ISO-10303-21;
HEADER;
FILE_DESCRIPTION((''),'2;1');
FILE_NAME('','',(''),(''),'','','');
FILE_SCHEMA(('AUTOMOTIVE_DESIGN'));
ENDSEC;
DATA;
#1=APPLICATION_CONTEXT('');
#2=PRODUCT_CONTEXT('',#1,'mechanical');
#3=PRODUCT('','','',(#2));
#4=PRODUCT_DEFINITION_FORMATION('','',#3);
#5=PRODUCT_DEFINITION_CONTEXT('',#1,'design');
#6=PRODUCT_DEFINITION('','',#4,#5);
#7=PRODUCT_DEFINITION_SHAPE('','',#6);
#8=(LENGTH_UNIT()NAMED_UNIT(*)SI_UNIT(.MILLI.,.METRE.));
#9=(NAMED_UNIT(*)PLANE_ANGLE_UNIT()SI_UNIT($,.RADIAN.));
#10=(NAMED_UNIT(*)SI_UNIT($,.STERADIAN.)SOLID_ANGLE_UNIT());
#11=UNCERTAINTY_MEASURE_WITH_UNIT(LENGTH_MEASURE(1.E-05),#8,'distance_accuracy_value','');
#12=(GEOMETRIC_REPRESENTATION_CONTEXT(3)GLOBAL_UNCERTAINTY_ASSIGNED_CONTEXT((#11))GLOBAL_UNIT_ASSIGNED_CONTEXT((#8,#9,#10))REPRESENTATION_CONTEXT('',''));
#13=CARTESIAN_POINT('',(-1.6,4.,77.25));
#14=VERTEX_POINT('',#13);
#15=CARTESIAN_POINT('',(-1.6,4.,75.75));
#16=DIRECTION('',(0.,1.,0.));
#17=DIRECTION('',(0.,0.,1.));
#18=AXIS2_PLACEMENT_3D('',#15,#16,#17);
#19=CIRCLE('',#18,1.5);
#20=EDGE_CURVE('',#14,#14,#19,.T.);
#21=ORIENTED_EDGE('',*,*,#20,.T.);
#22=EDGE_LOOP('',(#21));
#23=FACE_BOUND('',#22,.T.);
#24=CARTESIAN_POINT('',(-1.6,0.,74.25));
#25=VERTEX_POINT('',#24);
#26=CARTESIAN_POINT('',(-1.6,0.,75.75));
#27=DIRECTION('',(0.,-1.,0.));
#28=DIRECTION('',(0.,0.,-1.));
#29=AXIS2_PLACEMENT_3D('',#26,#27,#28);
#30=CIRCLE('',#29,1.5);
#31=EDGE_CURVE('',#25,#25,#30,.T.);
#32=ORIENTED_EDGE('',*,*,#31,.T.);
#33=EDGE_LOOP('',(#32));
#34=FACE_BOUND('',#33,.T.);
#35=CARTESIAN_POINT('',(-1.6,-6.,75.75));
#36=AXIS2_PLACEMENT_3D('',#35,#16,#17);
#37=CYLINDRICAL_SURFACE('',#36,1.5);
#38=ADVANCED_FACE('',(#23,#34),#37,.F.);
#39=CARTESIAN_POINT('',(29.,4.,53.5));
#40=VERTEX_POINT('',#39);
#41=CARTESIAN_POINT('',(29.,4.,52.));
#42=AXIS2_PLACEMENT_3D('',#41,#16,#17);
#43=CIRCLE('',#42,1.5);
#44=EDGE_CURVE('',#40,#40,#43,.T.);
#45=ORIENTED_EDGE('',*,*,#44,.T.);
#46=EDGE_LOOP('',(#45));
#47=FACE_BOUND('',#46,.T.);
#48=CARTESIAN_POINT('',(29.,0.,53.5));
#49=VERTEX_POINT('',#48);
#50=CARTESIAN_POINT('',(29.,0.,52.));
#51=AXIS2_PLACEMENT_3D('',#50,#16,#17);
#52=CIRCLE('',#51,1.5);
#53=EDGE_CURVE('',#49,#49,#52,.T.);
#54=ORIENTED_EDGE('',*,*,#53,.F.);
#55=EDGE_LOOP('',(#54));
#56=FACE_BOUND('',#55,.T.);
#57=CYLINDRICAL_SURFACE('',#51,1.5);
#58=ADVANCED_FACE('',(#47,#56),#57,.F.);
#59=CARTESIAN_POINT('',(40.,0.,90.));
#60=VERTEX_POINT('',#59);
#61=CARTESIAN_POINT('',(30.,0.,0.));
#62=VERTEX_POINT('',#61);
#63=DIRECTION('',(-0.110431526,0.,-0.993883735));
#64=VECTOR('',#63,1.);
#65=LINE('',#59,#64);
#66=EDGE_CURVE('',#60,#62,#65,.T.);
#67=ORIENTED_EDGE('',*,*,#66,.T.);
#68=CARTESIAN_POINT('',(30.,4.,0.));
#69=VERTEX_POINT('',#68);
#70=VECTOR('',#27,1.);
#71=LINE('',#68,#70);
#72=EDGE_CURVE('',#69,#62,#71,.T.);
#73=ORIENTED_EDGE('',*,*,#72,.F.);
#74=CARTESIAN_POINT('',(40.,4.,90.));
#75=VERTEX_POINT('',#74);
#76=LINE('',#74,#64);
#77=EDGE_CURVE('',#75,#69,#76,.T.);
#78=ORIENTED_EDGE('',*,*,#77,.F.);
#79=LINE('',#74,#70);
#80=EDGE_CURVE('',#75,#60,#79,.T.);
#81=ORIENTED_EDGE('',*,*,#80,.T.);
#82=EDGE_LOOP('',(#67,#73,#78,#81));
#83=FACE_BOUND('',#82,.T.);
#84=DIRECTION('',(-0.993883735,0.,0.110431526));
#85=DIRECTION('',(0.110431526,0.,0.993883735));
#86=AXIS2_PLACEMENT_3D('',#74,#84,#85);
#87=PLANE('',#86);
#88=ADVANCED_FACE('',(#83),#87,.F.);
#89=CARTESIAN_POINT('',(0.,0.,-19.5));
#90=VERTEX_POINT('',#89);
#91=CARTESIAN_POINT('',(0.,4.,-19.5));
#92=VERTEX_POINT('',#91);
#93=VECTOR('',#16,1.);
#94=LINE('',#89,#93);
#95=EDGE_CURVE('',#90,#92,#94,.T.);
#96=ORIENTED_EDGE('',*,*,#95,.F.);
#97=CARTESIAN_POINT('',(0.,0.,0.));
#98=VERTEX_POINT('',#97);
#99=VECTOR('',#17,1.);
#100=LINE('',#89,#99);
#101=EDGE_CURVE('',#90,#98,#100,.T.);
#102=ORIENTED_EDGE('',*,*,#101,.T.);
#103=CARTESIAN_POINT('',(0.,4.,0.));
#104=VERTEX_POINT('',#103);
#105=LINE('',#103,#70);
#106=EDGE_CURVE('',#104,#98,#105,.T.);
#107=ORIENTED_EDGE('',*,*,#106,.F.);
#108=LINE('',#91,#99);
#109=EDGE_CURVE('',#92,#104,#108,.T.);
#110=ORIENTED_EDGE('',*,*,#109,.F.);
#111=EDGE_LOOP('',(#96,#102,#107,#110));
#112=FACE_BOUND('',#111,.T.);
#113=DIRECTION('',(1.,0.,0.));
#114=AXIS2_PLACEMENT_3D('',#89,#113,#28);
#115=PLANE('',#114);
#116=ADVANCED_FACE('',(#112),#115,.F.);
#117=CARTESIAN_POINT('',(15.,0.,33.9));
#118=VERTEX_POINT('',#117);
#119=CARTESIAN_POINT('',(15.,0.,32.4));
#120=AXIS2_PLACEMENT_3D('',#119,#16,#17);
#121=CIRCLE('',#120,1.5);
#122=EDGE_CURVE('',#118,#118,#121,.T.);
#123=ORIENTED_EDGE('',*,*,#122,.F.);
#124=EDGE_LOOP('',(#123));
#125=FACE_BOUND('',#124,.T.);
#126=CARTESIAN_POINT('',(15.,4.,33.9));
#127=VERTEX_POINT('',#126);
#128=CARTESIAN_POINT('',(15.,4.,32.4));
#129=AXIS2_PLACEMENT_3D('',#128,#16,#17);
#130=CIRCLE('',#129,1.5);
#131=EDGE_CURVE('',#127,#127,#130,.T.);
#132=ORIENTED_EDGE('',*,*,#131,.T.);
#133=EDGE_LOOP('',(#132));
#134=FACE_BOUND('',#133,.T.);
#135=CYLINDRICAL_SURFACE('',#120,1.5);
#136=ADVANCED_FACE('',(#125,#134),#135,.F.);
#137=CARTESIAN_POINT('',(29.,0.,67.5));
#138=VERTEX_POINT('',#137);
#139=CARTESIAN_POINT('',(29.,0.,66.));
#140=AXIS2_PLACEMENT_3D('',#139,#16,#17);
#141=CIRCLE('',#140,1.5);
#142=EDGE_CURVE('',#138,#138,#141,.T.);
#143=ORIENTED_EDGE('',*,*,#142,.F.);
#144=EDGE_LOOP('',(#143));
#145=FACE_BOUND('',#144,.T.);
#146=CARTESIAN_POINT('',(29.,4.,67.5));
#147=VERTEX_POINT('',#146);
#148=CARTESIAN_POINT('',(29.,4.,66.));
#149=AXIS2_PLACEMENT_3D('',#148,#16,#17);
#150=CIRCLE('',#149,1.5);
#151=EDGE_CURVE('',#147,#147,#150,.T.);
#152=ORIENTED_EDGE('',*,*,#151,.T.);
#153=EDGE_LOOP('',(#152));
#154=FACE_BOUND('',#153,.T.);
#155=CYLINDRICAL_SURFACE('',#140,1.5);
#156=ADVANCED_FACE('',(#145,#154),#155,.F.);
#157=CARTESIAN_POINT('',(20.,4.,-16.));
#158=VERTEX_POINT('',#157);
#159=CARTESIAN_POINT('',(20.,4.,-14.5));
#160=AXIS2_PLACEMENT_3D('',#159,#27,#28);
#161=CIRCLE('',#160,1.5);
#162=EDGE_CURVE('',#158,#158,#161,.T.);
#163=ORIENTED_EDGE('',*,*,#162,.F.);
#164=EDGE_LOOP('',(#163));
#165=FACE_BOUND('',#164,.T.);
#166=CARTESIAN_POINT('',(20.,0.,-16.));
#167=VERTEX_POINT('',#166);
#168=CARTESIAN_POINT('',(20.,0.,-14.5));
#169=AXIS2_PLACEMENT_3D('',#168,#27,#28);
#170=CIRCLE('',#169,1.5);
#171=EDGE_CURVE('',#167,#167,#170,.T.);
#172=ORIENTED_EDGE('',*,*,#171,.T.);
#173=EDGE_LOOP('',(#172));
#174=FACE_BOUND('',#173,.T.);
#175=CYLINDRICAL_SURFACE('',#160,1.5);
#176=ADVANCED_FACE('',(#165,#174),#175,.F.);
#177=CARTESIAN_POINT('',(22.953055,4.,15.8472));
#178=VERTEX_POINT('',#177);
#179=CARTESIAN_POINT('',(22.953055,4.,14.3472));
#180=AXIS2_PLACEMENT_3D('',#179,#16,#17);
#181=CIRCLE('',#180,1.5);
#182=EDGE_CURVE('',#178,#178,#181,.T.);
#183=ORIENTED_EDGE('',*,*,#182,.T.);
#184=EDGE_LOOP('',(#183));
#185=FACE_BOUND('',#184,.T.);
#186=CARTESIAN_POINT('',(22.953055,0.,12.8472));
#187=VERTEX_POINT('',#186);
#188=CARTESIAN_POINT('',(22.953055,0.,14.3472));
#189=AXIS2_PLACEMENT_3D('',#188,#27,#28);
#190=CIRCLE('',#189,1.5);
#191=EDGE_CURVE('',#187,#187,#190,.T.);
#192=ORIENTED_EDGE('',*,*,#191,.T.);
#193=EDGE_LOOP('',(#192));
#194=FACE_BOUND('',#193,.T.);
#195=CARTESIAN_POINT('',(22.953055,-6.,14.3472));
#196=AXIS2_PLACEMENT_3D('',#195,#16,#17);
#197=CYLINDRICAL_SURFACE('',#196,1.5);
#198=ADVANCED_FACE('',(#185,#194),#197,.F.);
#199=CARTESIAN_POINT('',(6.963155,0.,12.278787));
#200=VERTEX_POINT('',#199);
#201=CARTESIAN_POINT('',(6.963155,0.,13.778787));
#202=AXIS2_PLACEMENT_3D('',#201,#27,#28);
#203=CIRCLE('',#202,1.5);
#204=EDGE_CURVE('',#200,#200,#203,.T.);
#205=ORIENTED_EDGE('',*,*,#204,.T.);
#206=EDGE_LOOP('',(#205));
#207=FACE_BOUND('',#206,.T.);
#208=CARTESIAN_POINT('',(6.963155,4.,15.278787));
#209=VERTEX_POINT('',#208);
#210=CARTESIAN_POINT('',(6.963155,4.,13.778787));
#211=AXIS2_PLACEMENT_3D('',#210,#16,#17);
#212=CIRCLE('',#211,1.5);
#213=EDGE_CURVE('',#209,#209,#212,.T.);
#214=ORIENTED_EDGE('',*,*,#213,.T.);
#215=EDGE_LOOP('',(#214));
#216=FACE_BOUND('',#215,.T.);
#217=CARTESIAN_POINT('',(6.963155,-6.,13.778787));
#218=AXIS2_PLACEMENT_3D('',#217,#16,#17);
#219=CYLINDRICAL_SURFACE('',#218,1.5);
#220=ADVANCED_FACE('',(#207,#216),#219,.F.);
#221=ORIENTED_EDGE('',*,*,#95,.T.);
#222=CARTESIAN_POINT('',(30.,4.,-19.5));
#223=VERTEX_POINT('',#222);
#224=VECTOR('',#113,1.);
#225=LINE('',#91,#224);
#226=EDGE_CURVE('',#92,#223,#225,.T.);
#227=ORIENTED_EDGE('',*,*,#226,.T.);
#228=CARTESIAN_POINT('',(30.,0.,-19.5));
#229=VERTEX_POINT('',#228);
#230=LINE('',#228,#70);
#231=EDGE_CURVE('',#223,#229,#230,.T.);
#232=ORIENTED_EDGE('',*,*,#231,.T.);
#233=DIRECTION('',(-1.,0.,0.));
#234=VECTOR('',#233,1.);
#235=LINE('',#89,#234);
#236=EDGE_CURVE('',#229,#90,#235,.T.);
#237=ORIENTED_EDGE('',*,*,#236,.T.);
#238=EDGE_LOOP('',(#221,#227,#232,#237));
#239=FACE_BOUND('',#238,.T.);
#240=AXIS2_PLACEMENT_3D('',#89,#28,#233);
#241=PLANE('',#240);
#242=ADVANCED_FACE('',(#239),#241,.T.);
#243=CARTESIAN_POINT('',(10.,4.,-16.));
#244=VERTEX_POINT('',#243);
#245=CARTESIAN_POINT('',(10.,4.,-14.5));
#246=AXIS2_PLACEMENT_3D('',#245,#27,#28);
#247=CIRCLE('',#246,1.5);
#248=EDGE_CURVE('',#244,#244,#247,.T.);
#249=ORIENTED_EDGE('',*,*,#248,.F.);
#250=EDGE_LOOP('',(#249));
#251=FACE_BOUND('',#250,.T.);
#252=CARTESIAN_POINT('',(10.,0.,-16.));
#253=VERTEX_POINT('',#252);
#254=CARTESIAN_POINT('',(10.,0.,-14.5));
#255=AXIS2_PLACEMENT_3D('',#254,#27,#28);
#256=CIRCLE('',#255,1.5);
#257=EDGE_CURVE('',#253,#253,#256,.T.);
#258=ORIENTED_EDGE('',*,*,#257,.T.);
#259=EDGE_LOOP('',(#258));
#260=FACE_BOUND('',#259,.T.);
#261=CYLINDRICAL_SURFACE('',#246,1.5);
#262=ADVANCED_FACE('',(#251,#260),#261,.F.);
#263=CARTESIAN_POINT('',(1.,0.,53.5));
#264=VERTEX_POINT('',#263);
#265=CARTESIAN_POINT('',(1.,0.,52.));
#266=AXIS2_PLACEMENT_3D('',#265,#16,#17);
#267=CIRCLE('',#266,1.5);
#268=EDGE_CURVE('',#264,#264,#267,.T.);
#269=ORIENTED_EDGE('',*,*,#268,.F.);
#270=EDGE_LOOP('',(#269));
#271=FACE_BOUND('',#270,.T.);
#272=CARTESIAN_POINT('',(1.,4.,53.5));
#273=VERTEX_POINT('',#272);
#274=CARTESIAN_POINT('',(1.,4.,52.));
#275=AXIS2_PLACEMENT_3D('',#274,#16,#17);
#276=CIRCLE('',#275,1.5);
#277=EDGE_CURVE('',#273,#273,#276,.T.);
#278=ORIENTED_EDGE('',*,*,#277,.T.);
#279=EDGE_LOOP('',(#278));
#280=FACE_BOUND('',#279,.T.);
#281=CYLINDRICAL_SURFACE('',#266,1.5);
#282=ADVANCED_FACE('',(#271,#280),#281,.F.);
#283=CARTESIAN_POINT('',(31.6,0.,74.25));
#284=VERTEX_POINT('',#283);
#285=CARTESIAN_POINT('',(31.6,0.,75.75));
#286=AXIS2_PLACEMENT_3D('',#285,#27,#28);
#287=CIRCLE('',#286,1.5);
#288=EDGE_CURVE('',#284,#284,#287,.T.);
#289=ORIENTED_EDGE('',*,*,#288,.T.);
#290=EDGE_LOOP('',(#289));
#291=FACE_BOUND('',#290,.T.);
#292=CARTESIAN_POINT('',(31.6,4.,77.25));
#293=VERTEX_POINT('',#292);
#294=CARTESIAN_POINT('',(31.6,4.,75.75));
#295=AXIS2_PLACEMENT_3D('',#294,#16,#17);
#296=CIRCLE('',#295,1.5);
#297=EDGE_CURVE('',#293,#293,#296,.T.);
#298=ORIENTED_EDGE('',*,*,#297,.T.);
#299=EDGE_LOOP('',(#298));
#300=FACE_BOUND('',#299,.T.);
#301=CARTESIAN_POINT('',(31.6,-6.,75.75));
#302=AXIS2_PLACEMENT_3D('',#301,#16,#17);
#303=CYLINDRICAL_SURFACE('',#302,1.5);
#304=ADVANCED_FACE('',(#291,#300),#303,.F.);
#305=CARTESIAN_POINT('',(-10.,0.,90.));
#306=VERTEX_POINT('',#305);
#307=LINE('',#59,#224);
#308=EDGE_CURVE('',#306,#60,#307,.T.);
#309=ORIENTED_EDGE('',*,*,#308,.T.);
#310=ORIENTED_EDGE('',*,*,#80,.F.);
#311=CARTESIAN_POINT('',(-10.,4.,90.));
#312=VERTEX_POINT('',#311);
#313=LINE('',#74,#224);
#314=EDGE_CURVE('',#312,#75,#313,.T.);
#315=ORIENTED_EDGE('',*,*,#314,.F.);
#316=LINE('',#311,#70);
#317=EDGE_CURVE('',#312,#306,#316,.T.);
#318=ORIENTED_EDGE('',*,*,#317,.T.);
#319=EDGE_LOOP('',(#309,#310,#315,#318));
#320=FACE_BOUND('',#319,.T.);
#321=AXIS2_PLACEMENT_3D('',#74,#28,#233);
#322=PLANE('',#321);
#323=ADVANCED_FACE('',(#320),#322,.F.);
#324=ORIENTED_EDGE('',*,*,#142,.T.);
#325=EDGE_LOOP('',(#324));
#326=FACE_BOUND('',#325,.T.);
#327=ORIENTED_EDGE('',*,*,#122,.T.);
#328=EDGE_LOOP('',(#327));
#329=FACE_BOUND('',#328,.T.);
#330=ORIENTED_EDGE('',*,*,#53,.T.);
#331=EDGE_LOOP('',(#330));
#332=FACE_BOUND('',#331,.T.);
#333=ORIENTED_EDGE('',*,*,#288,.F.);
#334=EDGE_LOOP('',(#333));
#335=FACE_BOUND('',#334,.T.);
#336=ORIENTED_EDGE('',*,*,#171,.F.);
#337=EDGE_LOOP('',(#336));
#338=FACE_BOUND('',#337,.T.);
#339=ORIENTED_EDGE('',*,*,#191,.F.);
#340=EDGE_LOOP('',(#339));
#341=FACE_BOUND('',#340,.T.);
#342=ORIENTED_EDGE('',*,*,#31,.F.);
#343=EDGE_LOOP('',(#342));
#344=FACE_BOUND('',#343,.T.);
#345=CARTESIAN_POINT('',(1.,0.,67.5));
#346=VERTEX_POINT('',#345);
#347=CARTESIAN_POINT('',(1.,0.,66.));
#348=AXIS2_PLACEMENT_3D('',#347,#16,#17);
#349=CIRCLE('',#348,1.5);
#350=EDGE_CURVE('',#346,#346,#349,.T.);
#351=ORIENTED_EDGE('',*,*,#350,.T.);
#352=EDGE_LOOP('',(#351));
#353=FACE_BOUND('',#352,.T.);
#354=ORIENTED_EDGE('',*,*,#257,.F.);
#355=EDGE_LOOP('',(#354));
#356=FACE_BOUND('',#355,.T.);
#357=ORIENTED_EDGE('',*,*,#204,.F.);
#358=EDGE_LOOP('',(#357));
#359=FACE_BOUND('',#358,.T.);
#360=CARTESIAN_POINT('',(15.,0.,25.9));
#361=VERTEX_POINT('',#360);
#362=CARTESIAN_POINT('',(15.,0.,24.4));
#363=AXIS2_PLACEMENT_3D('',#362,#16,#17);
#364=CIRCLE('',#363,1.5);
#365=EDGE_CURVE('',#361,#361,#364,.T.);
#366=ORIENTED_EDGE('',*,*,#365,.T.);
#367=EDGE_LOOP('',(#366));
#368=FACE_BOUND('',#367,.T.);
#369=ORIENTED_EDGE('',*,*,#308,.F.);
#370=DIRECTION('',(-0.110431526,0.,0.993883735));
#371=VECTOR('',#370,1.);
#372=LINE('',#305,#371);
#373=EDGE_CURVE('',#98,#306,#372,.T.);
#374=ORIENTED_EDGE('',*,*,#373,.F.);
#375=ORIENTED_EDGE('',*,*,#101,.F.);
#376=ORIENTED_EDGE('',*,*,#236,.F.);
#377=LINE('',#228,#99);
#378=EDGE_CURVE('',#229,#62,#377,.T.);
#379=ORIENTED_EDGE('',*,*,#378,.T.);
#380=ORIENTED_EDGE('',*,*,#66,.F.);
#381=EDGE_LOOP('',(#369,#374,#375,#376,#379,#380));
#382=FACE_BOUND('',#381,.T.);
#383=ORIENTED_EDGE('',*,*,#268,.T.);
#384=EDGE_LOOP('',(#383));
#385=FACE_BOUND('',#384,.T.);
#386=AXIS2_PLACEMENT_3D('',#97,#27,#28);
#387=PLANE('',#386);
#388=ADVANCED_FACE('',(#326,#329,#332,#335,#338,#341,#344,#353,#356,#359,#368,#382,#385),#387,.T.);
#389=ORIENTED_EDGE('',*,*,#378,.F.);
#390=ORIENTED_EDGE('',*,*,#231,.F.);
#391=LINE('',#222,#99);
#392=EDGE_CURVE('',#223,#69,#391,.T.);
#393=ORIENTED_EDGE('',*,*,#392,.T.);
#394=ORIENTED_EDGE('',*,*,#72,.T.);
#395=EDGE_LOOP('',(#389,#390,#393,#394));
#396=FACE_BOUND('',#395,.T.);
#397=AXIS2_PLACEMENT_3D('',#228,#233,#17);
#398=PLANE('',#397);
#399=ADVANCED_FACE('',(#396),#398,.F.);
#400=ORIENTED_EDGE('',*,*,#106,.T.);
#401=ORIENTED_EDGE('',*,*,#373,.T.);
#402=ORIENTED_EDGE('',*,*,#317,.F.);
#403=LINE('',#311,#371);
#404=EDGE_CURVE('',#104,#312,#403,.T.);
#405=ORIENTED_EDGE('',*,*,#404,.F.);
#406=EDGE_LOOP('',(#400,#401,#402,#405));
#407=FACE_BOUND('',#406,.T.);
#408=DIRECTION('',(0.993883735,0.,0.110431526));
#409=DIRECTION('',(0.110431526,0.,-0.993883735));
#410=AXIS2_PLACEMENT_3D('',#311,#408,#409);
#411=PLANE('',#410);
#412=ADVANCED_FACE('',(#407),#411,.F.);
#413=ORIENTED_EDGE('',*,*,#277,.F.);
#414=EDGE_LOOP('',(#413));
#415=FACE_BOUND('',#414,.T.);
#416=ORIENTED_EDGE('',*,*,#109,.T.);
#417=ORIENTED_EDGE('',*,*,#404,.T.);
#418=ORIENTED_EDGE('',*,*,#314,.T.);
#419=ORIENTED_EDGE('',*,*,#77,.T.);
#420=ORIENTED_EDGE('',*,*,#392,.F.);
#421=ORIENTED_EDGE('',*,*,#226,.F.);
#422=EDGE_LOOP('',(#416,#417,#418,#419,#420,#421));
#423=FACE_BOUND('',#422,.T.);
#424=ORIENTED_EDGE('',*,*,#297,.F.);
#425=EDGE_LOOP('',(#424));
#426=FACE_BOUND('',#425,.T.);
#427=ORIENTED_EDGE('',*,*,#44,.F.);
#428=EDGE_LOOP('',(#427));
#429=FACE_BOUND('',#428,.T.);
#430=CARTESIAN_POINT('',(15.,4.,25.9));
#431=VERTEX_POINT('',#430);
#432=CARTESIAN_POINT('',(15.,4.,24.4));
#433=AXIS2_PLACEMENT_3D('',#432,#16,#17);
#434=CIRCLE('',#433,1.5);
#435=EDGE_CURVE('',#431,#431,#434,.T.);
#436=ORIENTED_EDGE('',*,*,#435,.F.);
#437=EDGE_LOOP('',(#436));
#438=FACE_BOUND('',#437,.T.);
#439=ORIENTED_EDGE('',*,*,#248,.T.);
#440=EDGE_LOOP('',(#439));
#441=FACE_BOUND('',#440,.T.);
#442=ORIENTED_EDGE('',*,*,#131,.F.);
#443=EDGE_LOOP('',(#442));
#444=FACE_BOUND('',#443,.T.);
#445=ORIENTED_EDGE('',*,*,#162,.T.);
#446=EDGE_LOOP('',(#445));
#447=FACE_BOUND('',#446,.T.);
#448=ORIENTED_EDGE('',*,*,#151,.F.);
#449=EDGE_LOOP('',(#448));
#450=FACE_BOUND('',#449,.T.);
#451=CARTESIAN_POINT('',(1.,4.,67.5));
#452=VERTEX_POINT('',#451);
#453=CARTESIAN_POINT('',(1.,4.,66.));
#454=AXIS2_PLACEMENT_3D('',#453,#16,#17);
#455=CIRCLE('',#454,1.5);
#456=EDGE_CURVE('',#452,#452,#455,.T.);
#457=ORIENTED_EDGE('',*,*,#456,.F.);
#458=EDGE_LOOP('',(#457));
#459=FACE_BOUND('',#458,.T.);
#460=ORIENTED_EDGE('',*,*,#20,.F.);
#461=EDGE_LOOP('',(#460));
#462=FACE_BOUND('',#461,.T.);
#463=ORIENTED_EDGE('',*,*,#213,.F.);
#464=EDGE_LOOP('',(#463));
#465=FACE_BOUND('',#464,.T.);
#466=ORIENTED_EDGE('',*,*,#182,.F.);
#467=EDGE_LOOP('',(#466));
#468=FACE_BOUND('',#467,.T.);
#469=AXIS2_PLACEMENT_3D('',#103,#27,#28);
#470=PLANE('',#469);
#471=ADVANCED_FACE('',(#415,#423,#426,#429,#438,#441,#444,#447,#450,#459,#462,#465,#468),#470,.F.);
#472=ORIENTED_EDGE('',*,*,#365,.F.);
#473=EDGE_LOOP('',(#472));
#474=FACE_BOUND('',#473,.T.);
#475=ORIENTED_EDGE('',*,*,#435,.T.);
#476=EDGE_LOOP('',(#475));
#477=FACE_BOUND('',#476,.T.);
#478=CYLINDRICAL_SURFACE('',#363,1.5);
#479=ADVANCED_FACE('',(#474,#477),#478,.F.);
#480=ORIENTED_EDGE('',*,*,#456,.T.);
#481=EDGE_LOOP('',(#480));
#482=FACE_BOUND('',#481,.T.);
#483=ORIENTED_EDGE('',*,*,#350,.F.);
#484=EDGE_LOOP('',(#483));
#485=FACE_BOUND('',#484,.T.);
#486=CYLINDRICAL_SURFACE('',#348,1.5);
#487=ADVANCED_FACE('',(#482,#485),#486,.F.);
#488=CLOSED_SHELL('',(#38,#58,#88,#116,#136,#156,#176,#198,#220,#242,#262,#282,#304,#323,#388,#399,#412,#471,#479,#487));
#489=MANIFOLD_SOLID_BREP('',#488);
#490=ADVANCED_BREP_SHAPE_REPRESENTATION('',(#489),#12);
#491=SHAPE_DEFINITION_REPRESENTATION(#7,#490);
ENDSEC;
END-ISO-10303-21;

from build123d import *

# Parameters (mm, degrees)
EXTRUDE_1_DEPTH     = 4
SKETCH_4_R          = 1.5
CUT_EXTRUDE_3_DEPTH = 99.569772243
SKETCH_5_R          = 1.5
CUT_EXTRUDE_4_DEPTH = 99.569772243
SKETCH_9_R          = 1.5
CUT_EXTRUDE_6_DEPTH = 10
SKETCH_10_W         = 30
SKETCH_10_H         = 4
EXTRUDE_2_DEPTH     = 19.5
SKETCH_11_R         = 1.5
CUT_EXTRUDE_7_DEPTH = 99.569772243


with BuildPart() as part:
    # 草图1 → 凸台-拉伸1 (new body)
    with BuildSketch(Plane(origin=(0, 0, 0), x_dir=(1, 0, 0), z_dir=(0, 1, 0))):
        Polygon((0, 0), (30, 0), (40, -90), (-10, -90), align=None)
    extrude(amount=EXTRUDE_1_DEPTH)

    # 草图4 → 切除-拉伸3 (cut, through all)
    with BuildSketch(Plane(origin=(0, 4, 0), x_dir=(1, 0, 0), z_dir=(0, 1, 0))):
        with Locations(Location((1, -66, 0), (0, 0, 270))):
            Circle(SKETCH_4_R)
        with Locations(Location((1, -52, 0), (0, 0, 270))):
            Circle(SKETCH_4_R)
        with Locations(Location((29, -66, 0), (0, 0, 270))):
            Circle(SKETCH_4_R)
        with Locations(Location((29, -52, 0), (0, 0, 270))):
            Circle(SKETCH_4_R)
    extrude(amount=-CUT_EXTRUDE_3_DEPTH, mode=Mode.SUBTRACT)

    # 草图5 → 切除-拉伸4 (cut, through all)
    with BuildSketch(Plane(origin=(0, 4, 0), x_dir=(1, 0, 0), z_dir=(0, 1, 0))):
        with Locations(Location((15, -32.4, 0), (0, 0, 270))):
            Circle(SKETCH_5_R)
        with Locations(Location((15, -24.4, 0), (0, 0, 270))):
            Circle(SKETCH_5_R)
    extrude(amount=-CUT_EXTRUDE_4_DEPTH, mode=Mode.SUBTRACT)

    # 草图9 → 切除-拉伸6 (cut)
    with BuildSketch(Plane(origin=(0, 4, 0), x_dir=(1, 0, 0), z_dir=(0, 1, 0))):
        with Locations(Location((6.963154721, -13.77878744, 0), (0, 0, 270))):
            Circle(SKETCH_9_R)
        with Locations(Location((22.953054881, -14.34720003, 0), (0, 0, 270))):
            Circle(SKETCH_9_R)
        with Locations(Location((-1.6, -75.75, 0), (0, 0, 270))):
            Circle(SKETCH_9_R)
        with Locations(Location((31.6, -75.75, 0), (0, 0, 270))):
            Circle(SKETCH_9_R)
    extrude(amount=-CUT_EXTRUDE_6_DEPTH, mode=Mode.SUBTRACT)

    # 草图10 → 凸台-拉伸2 (add)
    with BuildSketch(Plane(origin=(0, 0, 0), x_dir=(-1, 0, 0), z_dir=(0, 0, -1))):
        with Locations((-15, 2)):
            Rectangle(SKETCH_10_W, SKETCH_10_H)
    extrude(amount=EXTRUDE_2_DEPTH)

    # 草图11 → 切除-拉伸7 (cut, through all)
    with BuildSketch(Plane.XZ):
        with Locations(Location((10, -14.5, 0), (0, 0, 270))):
            Circle(SKETCH_11_R)
        with Locations(Location((20, -14.5, 0), (0, 0, 270))):
            Circle(SKETCH_11_R)
    extrude(amount=-CUT_EXTRUDE_7_DEPTH, mode=Mode.SUBTRACT)


solid = part.part
